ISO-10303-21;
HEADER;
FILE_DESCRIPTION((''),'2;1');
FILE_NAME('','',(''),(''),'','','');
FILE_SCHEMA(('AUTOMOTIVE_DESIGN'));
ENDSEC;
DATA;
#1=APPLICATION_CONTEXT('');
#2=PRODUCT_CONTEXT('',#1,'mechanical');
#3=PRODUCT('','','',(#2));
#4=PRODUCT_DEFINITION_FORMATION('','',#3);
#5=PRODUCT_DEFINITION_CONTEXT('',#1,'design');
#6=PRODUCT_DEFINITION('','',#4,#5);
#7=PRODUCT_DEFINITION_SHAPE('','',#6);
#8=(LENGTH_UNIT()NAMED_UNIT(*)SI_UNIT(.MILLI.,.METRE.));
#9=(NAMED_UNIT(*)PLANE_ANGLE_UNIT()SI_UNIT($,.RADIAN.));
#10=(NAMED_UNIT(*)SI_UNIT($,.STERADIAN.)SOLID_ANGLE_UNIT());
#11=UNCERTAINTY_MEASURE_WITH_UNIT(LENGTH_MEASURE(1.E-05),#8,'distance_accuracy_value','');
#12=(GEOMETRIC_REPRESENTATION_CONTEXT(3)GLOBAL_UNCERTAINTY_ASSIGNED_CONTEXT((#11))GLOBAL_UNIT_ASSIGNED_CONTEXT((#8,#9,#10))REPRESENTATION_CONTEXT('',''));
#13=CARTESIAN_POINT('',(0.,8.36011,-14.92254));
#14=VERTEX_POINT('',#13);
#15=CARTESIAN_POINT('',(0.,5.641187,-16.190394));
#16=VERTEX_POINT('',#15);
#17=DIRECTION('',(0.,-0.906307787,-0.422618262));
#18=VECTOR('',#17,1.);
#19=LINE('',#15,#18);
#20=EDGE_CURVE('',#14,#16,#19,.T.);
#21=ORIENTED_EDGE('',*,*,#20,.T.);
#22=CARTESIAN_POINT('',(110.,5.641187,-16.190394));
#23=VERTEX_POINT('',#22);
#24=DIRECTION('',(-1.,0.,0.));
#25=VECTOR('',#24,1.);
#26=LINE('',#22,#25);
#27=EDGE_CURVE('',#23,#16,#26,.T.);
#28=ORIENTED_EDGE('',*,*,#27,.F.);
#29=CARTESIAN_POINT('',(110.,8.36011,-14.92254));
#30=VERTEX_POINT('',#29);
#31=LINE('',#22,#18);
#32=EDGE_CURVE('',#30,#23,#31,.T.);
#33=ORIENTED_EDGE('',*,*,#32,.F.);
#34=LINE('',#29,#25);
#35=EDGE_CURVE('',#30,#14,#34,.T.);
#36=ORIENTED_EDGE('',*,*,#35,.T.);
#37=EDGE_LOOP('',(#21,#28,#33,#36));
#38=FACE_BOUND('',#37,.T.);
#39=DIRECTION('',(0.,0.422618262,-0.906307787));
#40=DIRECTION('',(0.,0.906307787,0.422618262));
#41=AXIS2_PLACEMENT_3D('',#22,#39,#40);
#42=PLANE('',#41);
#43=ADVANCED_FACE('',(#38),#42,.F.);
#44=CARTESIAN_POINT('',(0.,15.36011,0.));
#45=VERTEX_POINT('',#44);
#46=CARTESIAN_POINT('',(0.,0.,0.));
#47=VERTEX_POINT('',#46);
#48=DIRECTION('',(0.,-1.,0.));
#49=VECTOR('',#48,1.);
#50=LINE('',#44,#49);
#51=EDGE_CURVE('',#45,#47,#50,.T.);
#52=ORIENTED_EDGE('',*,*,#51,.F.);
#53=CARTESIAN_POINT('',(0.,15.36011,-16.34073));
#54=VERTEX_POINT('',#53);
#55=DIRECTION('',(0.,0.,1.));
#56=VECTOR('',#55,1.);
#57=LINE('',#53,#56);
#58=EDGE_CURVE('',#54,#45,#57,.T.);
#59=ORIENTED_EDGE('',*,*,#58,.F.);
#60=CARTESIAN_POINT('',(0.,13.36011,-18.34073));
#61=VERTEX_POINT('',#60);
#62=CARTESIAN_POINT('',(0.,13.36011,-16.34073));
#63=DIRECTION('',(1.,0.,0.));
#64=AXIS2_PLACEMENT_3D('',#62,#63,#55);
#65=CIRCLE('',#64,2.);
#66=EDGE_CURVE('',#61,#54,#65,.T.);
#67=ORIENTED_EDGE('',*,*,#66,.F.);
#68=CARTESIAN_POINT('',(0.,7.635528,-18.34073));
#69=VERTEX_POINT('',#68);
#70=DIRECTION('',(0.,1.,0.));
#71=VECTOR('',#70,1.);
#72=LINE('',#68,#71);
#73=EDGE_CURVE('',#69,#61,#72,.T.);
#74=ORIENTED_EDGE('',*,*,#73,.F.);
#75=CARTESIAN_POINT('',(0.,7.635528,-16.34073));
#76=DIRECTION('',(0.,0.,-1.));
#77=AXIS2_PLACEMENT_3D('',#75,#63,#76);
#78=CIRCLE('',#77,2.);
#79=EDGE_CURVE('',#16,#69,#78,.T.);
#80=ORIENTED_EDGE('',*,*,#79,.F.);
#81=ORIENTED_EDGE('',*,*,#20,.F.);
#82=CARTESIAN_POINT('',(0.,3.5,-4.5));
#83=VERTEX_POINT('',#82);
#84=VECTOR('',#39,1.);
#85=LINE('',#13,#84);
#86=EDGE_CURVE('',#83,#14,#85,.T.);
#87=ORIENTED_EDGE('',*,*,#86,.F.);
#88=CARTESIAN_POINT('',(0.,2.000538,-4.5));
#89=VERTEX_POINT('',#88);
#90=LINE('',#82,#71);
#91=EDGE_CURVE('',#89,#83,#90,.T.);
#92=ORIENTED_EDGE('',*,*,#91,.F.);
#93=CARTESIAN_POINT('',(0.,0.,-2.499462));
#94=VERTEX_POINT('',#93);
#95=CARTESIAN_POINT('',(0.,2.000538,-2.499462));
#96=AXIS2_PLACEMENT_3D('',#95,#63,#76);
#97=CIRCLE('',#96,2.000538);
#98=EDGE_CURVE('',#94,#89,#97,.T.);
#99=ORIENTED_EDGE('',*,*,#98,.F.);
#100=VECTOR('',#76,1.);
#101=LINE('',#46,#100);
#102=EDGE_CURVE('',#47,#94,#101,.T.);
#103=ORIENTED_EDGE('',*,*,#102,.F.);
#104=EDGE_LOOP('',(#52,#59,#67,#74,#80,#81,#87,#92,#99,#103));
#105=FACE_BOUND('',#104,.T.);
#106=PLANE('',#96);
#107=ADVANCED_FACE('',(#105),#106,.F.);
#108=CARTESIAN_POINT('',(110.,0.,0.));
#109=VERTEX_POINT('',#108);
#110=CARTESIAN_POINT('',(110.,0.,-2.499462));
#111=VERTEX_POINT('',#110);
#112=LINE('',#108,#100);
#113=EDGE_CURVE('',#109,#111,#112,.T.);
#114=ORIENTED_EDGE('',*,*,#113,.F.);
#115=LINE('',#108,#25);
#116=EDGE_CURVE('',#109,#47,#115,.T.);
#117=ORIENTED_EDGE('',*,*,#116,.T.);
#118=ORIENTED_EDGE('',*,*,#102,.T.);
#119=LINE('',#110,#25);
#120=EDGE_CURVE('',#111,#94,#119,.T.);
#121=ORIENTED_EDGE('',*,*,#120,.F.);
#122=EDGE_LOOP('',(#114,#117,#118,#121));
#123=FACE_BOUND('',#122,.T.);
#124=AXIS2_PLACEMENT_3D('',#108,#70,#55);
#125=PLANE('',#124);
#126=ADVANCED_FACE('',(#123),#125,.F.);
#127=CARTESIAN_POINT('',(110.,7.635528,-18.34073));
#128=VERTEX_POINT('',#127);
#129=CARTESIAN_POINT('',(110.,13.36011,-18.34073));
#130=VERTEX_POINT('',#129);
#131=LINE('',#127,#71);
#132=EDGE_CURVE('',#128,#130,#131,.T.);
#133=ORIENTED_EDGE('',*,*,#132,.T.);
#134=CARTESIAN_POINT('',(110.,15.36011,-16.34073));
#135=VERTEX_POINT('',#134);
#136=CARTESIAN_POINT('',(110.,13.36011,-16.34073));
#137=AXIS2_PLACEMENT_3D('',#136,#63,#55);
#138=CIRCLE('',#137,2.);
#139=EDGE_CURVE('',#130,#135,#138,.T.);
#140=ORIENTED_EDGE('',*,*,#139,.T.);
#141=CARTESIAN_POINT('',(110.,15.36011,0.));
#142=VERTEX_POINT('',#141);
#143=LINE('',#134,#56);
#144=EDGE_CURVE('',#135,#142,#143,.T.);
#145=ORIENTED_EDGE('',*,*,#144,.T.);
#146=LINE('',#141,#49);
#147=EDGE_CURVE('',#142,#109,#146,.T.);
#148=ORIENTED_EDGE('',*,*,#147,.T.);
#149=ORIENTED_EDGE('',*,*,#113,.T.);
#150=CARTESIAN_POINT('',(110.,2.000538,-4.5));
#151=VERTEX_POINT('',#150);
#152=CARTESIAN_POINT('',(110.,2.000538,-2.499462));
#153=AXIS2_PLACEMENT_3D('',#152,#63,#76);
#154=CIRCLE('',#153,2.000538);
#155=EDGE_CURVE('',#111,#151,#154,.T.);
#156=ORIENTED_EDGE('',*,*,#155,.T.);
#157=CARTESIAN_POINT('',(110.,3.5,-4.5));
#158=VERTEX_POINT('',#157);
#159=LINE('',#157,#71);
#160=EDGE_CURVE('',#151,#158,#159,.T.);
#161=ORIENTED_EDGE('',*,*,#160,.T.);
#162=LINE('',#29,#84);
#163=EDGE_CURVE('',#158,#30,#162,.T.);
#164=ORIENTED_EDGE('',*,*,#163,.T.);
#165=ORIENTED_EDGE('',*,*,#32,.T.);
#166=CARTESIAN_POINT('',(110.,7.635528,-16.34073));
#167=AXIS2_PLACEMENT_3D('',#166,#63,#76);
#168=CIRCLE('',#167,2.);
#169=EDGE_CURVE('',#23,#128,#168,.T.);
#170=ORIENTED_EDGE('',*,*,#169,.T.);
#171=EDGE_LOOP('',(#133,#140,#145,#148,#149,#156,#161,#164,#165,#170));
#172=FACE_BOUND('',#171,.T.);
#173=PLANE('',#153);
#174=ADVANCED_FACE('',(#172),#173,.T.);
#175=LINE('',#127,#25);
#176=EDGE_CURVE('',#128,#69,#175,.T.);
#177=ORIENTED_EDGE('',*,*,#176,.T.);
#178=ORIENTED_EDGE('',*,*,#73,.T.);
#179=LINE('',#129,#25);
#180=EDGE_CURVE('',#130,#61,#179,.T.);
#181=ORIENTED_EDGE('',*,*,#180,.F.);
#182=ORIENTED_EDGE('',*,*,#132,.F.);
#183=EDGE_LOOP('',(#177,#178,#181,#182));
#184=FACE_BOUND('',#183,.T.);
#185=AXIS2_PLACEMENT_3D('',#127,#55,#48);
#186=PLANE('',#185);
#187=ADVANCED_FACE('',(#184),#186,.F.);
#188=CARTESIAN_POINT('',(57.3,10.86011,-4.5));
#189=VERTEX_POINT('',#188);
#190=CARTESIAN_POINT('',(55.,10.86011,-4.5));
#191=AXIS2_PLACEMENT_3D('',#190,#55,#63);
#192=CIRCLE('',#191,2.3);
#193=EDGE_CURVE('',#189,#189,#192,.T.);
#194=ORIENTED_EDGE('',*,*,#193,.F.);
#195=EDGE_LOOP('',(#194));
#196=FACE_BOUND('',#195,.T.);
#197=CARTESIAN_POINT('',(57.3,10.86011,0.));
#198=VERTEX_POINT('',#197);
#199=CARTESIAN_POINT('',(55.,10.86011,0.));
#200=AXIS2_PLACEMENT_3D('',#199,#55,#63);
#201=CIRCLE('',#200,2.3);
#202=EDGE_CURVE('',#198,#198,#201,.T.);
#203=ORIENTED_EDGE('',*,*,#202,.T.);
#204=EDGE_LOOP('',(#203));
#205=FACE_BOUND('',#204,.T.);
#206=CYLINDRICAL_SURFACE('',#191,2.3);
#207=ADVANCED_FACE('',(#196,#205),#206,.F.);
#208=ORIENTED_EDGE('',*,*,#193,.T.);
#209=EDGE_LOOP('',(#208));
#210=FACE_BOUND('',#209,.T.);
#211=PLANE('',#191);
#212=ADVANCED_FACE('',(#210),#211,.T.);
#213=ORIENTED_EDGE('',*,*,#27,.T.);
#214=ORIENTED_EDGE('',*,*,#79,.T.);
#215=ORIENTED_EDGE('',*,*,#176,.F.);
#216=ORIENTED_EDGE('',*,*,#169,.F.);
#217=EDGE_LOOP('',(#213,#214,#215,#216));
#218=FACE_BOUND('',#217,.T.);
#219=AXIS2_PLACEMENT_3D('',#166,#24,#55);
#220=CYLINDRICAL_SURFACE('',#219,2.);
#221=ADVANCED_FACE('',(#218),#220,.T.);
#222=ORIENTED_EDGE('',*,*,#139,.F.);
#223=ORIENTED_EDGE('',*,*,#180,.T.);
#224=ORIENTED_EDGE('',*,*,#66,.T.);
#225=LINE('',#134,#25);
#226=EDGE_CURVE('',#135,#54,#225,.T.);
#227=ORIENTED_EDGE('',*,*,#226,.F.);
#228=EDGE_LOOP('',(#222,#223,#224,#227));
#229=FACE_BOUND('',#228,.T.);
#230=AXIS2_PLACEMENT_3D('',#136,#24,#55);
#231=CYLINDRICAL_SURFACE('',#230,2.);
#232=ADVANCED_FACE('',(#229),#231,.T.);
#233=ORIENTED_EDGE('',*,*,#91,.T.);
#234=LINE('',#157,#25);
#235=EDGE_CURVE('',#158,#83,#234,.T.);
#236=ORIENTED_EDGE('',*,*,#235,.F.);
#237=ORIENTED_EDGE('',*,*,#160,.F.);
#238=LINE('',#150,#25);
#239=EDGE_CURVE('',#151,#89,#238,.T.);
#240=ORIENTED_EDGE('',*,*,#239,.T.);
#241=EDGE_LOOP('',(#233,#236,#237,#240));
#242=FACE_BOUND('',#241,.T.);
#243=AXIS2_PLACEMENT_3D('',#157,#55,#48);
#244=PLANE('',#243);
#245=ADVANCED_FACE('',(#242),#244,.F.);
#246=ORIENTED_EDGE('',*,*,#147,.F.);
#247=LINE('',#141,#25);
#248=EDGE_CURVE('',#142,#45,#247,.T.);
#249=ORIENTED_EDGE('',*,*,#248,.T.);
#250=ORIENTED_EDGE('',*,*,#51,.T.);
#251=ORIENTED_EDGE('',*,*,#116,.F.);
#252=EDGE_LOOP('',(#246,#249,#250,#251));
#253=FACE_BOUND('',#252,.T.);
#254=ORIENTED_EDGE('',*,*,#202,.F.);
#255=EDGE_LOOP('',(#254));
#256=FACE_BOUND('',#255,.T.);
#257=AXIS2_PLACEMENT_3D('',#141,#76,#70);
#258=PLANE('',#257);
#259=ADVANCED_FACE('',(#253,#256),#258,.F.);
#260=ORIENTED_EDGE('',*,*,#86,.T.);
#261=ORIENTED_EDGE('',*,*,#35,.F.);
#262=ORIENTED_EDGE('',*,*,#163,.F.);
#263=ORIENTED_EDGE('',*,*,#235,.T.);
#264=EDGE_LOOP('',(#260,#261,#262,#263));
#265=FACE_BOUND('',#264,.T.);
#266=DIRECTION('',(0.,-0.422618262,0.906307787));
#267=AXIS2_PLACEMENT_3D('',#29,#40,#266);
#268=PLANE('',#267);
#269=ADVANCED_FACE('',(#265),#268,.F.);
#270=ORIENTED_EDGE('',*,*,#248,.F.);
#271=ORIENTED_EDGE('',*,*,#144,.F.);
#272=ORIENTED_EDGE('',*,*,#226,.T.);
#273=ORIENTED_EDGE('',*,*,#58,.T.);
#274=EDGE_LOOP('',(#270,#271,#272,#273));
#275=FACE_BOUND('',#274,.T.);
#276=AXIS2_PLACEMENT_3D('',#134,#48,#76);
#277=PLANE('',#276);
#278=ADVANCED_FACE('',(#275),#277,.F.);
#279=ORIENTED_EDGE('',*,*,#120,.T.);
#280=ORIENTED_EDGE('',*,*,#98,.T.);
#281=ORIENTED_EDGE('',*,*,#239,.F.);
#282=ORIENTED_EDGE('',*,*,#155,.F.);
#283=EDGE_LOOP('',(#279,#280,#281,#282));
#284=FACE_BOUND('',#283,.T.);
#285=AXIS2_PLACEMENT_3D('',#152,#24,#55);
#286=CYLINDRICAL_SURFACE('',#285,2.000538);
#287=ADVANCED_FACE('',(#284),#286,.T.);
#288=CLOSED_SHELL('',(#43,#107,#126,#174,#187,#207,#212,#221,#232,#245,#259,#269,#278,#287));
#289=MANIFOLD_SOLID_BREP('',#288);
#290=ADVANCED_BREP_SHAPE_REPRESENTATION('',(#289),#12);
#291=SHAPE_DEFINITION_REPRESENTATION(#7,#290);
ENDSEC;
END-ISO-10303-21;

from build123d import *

# Parameters (mm, degrees)
PROFILEBOSS_EXTRUDE1_DEPTH      = 110
SKETCH3_R                       = 2.3
MOUNTINGHOLESCUT_EXTRUDE3_DEPTH = 4.5


with BuildPart() as part:
    # Sketch1 → ProfileBoss-Extrude1 (new body)
    with BuildSketch(Plane(origin=(0, 0, 0), x_dir=(0, 0, -1), z_dir=(1, 0, 0))):
        with BuildLine():
            Line((0, 0), (2.499461553, 0))
            ThreePointArc((2.499461553, 0), (3.914055855, 0.585944145), (4.5, 2.000538447))
            Line((4.5, 2.000538447), (4.5, 3.5))
            Line((4.5, 3.5), (14.922539551, 8.36011001))
            Line((14.922539551, 8.36011001), (16.190394336, 5.641186649))
            ThreePointArc((16.190394336, 5.641186649), (17.700753359, 6.16912635), (18.340729536, 7.635528477))
            Line((18.340729536, 7.635528477), (18.340729536, 13.36011001))
            ThreePointArc((18.340729536, 13.36011001), (17.754943098, 14.774323572), (16.340729536, 15.36011001))
            Line((16.340729536, 15.36011001), (0, 15.36011001))
            Line((0, 15.36011001), (0, 0))
        make_face()
    extrude(amount=PROFILEBOSS_EXTRUDE1_DEPTH)

    # Sketch3 → MountingHolesCut-Extrude3 (cut)
    with BuildSketch(Plane.XY):
        with Locations((55, 10.86011001)):
            Circle(SKETCH3_R)
    extrude(amount=-MOUNTINGHOLESCUT_EXTRUDE3_DEPTH, mode=Mode.SUBTRACT)


solid = part.part
